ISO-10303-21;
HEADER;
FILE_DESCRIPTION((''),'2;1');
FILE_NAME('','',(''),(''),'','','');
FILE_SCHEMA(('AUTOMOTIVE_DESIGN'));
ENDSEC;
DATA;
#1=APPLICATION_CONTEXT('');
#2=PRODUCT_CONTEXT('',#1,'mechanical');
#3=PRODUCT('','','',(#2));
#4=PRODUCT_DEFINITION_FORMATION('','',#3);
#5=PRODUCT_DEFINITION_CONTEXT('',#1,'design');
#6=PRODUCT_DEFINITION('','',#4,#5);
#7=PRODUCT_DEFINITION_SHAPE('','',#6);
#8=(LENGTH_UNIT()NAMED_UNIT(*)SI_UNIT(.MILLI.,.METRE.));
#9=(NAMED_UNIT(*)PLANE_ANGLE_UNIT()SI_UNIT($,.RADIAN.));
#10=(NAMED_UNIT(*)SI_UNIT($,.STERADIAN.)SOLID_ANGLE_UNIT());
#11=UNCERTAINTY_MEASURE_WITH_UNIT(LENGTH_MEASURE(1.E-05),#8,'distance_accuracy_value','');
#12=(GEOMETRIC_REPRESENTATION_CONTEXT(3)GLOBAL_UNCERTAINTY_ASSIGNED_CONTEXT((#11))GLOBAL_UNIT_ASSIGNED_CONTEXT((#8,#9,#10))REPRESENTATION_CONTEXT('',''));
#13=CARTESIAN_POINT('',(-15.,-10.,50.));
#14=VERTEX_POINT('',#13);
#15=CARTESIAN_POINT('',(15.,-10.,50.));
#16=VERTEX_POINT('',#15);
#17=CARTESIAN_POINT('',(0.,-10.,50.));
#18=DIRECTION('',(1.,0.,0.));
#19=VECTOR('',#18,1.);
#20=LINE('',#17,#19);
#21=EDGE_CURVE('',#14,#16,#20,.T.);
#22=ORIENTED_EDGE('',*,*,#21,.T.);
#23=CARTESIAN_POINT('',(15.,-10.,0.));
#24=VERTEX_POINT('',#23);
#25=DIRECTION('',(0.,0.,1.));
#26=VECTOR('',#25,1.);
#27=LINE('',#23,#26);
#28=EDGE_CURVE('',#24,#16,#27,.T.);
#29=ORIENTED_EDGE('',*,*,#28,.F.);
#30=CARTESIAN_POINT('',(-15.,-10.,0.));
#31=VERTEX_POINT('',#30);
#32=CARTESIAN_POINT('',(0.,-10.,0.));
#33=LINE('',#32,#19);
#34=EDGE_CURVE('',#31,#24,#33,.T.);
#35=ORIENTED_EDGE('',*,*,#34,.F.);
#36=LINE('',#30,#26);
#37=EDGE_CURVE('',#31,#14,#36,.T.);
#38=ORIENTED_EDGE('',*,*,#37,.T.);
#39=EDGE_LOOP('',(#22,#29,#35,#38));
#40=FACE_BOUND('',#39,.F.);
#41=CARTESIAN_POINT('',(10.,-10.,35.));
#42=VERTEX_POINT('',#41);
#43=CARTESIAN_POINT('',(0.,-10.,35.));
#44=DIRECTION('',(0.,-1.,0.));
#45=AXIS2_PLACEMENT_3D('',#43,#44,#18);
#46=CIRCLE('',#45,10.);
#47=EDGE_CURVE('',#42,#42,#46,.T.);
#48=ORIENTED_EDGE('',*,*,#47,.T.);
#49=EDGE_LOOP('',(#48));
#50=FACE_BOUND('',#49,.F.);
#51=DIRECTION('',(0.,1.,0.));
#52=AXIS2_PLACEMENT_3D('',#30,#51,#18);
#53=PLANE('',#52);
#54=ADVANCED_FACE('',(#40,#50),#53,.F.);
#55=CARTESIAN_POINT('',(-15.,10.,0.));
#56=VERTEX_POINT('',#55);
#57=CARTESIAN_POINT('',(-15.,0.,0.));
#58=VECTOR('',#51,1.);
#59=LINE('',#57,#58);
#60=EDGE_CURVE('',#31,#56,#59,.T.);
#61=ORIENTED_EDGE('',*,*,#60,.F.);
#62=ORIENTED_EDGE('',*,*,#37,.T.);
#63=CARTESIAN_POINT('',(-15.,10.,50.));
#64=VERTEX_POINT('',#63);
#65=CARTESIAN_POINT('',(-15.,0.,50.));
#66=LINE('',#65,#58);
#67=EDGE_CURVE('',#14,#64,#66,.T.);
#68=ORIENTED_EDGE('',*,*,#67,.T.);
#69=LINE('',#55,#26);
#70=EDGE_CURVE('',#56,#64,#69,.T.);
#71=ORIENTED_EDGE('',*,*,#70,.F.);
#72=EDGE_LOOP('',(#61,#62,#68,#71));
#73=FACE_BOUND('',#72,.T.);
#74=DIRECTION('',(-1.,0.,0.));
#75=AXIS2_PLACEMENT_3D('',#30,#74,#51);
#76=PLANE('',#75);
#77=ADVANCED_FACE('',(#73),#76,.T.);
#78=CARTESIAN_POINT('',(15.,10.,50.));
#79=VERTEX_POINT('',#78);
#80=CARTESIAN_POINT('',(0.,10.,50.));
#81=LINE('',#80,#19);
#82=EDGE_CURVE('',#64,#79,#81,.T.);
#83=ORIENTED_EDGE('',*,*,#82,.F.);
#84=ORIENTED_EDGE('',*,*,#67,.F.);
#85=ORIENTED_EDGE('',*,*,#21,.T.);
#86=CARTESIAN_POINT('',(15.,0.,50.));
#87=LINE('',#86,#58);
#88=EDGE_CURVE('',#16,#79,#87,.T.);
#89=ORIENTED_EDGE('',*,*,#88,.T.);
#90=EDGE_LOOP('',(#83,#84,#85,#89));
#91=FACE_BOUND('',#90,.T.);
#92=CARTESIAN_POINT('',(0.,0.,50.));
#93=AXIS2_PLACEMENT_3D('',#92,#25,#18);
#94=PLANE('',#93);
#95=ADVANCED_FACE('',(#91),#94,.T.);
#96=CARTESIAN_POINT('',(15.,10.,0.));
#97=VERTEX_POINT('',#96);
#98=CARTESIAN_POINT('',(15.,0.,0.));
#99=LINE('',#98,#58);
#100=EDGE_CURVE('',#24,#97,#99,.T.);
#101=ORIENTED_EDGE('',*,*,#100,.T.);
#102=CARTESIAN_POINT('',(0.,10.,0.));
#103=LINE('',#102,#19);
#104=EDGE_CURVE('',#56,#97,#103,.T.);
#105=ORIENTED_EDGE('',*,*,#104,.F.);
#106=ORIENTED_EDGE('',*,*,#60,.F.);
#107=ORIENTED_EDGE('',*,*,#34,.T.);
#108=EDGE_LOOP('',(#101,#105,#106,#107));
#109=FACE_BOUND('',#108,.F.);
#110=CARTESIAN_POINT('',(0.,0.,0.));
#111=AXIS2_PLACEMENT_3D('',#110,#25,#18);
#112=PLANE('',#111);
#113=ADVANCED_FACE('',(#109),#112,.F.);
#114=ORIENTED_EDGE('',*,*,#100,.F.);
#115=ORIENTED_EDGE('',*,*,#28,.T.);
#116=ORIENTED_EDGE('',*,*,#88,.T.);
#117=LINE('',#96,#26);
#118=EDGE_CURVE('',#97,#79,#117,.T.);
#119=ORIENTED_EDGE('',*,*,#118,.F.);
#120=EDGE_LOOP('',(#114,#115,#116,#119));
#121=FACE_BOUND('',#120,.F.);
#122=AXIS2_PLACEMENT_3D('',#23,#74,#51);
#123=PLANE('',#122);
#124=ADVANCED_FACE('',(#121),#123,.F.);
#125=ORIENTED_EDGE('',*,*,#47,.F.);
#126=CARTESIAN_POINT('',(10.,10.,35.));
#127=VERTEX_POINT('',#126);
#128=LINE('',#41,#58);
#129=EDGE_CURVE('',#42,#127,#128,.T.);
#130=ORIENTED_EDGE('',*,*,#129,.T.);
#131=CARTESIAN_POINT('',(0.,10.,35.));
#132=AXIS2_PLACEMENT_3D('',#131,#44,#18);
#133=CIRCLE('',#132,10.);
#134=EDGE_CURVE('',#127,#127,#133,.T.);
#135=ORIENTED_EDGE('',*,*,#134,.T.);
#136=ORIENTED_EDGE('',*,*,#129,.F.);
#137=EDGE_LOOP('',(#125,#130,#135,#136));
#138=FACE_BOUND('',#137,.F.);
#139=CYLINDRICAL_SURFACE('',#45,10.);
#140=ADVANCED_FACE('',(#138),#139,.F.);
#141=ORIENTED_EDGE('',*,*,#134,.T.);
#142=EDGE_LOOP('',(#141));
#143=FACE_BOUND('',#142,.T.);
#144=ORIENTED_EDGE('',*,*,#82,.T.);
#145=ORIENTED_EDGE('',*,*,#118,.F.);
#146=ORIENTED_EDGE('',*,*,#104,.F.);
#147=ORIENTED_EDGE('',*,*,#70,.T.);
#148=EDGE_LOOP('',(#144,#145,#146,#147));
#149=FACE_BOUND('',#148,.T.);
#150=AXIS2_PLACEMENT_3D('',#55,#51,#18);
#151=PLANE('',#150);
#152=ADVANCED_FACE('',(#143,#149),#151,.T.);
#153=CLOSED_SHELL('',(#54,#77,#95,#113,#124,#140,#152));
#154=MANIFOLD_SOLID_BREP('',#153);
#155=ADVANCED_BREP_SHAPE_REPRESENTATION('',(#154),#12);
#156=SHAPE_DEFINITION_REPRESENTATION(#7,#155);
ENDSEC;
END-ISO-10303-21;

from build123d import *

# Parameters (mm, degrees)
F0_W     = 30
F0_H     = 20
F1_DEPTH = 50
F2_R     = 10
F3_DEPTH = 25


with BuildPart() as f1:
    # F0 (on Top) → F1 (new body)
    with BuildSketch(Plane.XY):
        Rectangle(F0_W, F0_H)
    extrude(amount=F1_DEPTH)

    # F2 (on face) → F3 (cut)
    with BuildSketch(Plane.XZ.offset(10)):
        with Locations((0, 35)):
            Circle(F2_R)
    extrude(amount=-F3_DEPTH, mode=Mode.SUBTRACT)


solid = f1.part
